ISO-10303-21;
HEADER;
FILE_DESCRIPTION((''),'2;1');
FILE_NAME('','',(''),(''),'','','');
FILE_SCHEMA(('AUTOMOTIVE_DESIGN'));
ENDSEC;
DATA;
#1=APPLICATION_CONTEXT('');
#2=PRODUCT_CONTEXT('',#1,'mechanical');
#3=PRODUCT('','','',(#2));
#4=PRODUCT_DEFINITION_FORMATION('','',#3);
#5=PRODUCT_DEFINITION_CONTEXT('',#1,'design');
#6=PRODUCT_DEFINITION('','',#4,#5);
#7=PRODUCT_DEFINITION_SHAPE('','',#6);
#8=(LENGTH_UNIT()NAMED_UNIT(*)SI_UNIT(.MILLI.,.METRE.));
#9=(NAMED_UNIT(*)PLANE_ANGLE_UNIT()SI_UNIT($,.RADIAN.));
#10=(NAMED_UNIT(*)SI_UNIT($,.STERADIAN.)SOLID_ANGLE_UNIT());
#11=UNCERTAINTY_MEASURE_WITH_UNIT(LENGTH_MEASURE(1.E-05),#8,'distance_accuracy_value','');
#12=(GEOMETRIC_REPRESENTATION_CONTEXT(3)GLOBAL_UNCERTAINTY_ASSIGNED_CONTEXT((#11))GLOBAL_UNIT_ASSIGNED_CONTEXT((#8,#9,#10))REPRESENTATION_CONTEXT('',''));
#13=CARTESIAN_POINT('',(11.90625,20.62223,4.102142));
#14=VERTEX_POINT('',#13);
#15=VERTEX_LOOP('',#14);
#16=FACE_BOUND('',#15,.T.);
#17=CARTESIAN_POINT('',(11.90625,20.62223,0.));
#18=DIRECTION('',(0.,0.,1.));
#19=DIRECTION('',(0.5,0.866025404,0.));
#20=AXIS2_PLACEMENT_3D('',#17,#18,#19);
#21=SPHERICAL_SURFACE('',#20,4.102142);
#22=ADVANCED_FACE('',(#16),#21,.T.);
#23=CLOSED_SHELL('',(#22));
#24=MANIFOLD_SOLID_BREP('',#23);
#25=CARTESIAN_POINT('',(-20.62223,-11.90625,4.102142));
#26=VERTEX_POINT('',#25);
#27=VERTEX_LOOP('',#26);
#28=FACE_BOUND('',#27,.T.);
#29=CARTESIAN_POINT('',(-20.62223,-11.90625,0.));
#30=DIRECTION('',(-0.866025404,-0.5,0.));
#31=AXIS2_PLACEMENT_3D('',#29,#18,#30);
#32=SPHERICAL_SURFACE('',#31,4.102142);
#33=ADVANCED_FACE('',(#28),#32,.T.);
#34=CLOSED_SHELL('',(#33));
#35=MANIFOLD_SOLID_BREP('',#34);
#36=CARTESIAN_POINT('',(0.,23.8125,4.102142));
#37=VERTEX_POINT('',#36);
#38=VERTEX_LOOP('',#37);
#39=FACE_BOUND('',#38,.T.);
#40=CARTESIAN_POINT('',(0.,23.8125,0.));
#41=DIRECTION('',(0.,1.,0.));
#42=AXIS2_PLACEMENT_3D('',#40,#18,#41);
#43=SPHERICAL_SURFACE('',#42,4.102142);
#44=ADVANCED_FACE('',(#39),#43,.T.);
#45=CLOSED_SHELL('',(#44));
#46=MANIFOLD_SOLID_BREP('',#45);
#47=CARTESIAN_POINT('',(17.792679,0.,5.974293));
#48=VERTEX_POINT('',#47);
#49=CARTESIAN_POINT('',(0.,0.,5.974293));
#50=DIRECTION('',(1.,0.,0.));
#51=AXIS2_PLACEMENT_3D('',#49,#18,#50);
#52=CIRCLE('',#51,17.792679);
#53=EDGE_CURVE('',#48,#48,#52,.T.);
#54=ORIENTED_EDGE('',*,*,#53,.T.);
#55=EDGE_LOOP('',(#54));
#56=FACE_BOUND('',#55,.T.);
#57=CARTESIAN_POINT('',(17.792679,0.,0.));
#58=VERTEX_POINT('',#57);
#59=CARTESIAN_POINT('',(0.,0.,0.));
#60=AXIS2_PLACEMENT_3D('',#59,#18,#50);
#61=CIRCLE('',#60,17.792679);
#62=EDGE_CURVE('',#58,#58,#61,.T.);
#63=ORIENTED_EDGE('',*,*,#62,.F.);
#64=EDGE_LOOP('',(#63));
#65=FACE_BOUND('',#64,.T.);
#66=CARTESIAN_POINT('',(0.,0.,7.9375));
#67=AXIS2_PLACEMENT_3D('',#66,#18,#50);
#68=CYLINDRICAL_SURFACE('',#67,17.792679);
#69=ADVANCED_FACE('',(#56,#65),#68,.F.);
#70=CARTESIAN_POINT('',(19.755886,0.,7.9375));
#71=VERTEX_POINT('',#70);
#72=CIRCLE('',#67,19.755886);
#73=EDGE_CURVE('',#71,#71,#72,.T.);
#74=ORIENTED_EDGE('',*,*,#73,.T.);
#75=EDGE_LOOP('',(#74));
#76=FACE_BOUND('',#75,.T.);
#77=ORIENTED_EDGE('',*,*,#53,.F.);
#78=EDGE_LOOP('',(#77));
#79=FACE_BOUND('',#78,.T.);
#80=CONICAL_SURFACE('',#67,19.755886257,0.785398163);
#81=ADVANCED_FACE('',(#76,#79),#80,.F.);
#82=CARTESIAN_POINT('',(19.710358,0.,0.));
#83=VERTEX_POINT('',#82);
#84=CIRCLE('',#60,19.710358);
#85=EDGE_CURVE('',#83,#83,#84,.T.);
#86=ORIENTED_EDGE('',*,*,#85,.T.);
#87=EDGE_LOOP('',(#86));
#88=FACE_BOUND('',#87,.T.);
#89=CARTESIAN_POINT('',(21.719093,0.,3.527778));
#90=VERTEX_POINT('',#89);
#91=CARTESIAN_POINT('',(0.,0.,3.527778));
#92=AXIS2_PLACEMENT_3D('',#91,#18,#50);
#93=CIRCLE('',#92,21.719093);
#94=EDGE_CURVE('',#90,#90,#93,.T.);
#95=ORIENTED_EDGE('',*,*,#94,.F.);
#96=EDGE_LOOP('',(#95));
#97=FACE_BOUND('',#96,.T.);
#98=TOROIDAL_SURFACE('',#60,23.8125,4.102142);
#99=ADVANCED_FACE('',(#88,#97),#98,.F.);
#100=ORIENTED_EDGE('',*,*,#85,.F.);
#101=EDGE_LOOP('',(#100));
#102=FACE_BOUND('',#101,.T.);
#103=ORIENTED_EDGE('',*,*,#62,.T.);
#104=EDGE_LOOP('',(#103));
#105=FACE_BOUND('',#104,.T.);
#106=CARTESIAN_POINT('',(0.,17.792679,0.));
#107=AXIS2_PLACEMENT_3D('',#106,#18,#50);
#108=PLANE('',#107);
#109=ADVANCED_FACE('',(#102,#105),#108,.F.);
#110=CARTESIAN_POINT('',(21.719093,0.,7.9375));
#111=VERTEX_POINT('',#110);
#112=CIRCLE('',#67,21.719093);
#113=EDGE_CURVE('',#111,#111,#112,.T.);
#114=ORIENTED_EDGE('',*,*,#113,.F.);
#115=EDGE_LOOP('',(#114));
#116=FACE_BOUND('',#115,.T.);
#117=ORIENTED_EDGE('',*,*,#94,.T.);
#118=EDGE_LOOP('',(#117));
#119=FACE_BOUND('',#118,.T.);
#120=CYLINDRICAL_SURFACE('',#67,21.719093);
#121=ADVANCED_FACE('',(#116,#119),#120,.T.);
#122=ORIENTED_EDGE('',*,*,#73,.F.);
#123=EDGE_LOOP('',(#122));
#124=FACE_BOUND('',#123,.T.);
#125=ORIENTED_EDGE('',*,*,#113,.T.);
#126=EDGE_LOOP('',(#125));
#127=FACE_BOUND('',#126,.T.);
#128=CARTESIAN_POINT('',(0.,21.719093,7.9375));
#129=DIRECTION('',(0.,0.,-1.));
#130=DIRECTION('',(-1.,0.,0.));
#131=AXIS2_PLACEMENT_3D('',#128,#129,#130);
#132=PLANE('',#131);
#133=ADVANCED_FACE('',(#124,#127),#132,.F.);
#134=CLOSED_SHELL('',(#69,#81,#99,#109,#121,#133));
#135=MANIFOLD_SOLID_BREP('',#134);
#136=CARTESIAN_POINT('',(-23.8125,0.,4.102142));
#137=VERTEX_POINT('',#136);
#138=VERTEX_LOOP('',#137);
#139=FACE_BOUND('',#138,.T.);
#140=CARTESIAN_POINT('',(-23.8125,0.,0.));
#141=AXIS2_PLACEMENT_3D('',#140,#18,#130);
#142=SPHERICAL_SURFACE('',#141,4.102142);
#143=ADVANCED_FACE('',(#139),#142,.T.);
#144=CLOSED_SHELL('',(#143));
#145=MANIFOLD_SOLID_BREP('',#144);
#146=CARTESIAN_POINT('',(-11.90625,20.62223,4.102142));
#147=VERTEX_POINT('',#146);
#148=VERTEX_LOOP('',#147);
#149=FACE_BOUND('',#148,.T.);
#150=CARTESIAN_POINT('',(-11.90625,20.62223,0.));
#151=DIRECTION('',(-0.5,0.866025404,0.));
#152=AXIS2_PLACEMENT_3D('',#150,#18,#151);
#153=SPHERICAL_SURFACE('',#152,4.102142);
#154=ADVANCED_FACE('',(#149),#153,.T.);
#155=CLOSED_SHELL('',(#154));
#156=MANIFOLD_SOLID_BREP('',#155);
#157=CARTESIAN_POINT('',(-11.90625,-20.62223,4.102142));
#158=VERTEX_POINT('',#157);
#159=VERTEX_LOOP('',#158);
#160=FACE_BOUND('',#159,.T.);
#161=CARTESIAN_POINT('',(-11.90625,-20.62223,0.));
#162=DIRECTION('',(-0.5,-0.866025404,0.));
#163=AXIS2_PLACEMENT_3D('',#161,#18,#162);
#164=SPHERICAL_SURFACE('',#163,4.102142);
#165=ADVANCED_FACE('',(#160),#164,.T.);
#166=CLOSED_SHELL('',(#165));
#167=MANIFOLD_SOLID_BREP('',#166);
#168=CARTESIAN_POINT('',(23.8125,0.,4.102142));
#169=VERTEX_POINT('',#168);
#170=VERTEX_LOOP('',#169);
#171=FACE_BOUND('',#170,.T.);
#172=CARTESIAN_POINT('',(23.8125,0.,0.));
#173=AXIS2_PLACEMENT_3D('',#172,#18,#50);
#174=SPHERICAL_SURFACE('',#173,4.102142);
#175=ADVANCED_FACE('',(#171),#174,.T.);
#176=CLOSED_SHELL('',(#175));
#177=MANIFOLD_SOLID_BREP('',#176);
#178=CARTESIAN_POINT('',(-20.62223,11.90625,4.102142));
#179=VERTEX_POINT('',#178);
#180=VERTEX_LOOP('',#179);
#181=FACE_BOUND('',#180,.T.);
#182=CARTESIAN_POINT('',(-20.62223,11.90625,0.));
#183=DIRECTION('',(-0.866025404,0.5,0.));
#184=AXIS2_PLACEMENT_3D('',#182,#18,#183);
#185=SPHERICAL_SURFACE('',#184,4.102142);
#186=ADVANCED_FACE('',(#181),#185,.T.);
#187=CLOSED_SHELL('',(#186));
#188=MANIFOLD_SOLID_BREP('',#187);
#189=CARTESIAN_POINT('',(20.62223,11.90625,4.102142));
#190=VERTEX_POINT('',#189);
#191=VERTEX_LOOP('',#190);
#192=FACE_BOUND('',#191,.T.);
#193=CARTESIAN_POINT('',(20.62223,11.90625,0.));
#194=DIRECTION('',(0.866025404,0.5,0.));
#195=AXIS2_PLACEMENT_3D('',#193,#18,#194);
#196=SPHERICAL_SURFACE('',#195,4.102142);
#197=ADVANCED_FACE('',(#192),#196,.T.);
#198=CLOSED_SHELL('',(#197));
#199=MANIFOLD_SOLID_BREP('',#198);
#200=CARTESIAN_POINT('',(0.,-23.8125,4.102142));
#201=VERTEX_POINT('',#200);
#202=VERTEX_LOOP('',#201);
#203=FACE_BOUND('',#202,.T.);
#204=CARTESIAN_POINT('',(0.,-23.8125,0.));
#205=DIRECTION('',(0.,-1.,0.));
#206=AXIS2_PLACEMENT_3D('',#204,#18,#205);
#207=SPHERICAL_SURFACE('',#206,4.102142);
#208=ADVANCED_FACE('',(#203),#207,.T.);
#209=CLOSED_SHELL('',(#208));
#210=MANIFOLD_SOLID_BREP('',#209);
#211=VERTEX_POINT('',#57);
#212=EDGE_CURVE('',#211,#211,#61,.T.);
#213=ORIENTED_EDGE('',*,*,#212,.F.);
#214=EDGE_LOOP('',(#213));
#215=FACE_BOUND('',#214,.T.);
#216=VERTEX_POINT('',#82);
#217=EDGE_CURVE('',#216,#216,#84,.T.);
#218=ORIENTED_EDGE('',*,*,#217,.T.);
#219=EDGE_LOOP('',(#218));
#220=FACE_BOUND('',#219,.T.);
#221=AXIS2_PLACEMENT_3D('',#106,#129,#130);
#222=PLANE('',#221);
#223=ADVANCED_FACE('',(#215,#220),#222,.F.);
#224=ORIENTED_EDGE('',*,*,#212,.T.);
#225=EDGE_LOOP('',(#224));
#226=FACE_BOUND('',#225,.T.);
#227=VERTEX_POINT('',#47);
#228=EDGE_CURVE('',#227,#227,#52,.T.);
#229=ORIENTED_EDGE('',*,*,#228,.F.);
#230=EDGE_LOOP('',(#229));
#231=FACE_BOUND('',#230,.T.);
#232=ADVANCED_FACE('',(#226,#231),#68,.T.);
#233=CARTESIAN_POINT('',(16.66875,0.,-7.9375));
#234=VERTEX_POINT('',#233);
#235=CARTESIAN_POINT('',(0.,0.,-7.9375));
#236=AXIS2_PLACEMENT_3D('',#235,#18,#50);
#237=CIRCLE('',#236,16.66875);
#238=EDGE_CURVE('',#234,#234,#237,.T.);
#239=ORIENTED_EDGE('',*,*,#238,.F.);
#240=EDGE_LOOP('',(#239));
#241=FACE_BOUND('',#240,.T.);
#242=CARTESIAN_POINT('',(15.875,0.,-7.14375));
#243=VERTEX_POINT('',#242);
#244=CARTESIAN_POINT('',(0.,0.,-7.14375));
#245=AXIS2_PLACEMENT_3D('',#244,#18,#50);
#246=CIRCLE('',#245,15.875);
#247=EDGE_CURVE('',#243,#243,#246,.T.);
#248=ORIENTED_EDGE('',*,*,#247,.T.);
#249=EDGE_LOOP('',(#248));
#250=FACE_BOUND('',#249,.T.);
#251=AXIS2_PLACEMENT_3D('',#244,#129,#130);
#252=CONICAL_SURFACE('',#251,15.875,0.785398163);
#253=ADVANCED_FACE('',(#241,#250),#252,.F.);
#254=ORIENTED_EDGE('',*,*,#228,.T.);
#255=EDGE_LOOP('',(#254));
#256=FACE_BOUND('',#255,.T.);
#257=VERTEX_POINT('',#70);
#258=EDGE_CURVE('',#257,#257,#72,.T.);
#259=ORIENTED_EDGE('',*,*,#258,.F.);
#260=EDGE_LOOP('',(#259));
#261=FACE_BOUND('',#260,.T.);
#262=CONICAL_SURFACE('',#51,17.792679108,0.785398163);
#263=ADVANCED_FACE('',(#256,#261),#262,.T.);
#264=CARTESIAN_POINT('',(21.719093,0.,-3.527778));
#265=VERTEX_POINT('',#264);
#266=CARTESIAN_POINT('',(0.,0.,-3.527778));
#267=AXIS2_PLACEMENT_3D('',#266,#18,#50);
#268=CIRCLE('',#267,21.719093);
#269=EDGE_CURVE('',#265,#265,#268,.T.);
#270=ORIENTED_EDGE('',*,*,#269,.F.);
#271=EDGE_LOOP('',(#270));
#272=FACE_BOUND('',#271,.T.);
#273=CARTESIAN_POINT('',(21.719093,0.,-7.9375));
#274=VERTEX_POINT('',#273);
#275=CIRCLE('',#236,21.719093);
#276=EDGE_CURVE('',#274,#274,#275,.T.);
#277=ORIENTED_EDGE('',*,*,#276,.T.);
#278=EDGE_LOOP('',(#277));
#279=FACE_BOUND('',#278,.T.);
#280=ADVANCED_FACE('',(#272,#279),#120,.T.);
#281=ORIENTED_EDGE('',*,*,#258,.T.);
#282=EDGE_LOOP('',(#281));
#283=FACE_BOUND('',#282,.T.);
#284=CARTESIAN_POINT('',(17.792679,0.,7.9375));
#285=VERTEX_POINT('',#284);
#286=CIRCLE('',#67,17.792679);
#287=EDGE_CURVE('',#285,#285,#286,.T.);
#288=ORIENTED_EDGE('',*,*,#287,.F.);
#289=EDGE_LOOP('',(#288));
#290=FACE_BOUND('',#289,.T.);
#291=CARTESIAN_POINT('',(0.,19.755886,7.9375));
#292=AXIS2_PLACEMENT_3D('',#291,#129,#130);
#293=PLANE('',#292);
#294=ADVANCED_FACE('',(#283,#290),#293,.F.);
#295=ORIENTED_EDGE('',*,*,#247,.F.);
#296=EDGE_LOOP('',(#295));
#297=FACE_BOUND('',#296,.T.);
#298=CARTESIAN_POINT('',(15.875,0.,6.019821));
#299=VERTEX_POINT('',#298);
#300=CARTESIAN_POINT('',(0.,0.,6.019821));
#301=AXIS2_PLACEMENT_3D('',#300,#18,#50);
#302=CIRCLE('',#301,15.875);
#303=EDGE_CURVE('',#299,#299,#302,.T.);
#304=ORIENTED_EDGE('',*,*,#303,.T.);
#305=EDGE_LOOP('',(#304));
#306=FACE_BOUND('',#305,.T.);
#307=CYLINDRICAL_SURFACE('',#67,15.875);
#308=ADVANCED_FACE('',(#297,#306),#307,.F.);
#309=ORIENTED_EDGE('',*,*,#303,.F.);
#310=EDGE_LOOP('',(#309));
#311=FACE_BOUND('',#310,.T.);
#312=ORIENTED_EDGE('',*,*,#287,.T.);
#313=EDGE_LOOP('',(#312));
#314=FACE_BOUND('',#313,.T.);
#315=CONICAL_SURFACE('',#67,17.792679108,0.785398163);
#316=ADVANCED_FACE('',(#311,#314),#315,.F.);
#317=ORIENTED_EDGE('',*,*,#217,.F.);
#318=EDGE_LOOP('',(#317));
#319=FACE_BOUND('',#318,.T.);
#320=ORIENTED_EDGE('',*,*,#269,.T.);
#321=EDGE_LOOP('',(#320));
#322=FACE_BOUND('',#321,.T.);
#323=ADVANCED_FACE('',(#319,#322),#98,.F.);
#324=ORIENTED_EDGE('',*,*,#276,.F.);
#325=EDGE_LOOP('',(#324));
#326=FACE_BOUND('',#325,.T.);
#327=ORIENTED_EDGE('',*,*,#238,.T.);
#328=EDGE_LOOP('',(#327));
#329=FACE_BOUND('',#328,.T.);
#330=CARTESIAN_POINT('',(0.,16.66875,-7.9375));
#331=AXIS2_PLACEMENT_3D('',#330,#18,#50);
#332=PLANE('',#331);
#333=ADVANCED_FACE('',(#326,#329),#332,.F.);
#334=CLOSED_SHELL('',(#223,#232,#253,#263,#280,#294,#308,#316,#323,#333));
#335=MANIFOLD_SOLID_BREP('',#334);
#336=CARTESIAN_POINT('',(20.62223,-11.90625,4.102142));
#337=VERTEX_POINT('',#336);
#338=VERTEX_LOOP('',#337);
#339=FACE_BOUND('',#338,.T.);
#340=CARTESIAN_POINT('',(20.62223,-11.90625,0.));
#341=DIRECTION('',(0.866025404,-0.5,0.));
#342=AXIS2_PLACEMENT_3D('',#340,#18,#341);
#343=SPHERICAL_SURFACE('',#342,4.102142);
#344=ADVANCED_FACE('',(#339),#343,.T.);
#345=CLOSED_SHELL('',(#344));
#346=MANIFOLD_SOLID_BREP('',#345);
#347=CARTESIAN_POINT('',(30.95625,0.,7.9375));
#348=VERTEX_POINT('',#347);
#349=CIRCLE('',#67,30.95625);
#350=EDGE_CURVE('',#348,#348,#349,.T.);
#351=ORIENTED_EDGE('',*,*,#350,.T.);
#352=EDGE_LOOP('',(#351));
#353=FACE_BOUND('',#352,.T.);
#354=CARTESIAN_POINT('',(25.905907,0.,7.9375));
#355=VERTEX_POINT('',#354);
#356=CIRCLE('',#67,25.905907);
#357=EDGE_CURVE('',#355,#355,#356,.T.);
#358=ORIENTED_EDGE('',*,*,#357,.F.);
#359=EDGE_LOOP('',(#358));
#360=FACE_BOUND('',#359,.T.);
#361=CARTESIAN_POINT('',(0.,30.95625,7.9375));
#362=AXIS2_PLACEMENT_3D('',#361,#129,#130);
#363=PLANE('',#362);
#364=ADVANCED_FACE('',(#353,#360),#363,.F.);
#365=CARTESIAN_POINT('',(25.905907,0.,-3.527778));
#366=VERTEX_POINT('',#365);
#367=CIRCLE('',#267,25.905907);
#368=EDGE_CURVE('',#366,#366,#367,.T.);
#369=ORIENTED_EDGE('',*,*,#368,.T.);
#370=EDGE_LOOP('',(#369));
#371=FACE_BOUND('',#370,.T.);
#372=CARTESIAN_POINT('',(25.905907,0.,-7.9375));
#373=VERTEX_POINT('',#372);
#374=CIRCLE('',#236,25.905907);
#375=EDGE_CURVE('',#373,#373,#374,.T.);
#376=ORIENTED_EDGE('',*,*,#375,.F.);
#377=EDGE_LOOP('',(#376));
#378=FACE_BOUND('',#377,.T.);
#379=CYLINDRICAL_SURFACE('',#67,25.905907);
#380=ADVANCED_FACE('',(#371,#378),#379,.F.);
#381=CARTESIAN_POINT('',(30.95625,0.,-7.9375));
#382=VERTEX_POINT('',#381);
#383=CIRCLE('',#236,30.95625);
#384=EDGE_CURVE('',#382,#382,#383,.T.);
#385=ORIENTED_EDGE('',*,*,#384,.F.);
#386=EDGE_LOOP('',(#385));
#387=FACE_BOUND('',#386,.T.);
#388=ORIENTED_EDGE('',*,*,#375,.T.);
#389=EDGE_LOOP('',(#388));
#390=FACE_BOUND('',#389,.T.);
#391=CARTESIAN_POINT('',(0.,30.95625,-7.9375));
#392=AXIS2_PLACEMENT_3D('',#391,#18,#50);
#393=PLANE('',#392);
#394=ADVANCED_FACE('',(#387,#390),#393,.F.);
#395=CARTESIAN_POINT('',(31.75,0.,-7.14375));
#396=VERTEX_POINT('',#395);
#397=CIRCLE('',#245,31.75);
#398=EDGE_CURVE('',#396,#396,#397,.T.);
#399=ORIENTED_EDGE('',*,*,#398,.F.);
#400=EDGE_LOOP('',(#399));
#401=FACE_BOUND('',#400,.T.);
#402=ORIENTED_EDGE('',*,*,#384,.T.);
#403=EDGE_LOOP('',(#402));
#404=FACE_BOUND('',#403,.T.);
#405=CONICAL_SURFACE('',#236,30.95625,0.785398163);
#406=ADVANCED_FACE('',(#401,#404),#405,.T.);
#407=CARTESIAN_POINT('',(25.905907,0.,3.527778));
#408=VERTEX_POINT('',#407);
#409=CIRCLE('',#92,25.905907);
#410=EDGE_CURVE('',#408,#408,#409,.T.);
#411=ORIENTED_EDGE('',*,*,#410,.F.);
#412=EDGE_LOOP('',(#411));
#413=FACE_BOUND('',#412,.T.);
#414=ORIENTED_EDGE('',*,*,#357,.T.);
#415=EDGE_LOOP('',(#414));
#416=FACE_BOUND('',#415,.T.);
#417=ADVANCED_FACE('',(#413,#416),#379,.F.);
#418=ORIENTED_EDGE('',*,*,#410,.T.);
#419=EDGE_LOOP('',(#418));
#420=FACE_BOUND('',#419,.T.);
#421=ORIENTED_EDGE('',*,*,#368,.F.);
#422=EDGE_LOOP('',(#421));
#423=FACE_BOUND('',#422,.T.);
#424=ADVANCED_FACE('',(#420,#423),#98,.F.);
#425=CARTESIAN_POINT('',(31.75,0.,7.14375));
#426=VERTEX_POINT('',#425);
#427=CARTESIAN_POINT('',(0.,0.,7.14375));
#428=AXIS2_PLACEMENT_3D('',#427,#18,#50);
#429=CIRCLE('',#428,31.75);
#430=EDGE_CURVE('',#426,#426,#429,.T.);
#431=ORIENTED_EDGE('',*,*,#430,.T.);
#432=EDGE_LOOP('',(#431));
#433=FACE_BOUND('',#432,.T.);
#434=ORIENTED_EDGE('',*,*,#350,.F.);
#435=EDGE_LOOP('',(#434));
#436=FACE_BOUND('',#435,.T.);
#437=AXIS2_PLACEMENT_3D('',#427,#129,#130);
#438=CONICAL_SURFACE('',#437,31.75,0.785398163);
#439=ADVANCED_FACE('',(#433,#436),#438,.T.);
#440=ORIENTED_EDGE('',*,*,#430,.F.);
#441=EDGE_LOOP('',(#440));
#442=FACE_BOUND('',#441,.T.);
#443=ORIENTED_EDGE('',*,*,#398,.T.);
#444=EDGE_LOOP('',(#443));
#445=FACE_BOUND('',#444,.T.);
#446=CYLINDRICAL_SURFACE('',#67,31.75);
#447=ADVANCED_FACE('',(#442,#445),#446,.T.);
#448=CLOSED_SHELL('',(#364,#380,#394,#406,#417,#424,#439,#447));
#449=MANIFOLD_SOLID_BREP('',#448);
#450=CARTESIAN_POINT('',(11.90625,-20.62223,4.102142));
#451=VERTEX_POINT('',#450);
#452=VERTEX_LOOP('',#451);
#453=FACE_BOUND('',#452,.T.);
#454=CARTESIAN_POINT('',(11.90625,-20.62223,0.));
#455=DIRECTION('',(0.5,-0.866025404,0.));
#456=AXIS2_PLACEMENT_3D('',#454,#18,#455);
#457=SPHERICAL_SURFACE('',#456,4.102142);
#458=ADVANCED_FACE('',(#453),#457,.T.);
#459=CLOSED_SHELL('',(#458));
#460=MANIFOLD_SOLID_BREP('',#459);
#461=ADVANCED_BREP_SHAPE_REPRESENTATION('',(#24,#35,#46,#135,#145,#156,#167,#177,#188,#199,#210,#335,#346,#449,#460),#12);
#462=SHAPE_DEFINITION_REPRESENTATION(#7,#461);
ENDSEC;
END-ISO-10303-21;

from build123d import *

# Parameters (mm, degrees)
CIRPATTERN1_COUNT = 12


with BuildPart() as part:
    # Sketch1 → Revolve1 (revolve)
    with BuildSketch(Plane(origin=(0, 0, 0), x_dir=(0, 0, -1), z_dir=(1, 0, 0))):
        with BuildLine():
            Line((7.14375, 31.75), (-7.14375, 31.75))
            Line((-7.14375, 31.75), (-7.9375, 30.95625))
            Line((-7.9375, 30.95625), (-7.9375, 25.905906593))
            Line((-7.9375, 25.905906593), (-3.527777778, 25.905906593))
            ThreePointArc((-3.527777778, 25.905906593), (0, 27.914641784), (3.527777778, 25.905906593))
            Line((3.527777778, 25.905906593), (7.9375, 25.905906593))
            Line((7.9375, 25.905906593), (7.9375, 30.95625))
            Line((7.9375, 30.95625), (7.14375, 31.75))
        make_face()
    revolve(axis=Axis((0, 0, 7.9375), (0, 0, -1)))


with BuildPart() as body_2:
    # Sketch2 → Revolve2 (revolve)
    with BuildSketch(Plane(origin=(0, 0, 0), x_dir=(0, 0, -1), z_dir=(1, 0, 0))):
        with BuildLine():
            Line((-7.9375, 21.719093407), (-3.527777778, 21.719093407))
            ThreePointArc((-3.527777778, 21.719093407), (-2.029792669, 20.24774069), (0, 19.710358216))
            Line((0, 19.710358216), (0, 17.792679108))
            Line((0, 17.792679108), (-5.974292851, 17.792679108))
            Line((-5.974292851, 17.792679108), (-7.9375, 19.755886257))
            Line((-7.9375, 19.755886257), (-7.9375, 21.719093407))
        make_face()
    revolve(axis=Axis((0, 0, 7.9375), (0, 0, -1)))


with BuildPart() as body_3:
    # Sketch3 → Revolve3 (revolve)
    with BuildSketch(Plane(origin=(0, 0, 0), x_dir=(0, 0, -1), z_dir=(1, 0, 0))):
        with BuildLine():
            Line((-7.9375, 19.755886257), (-5.974292851, 17.792679108))
            Line((-5.974292851, 17.792679108), (0, 17.792679108))
            Line((0, 17.792679108), (0, 19.710358216))
            ThreePointArc((0, 19.710358216), (2.029792669, 20.24774069), (3.527777778, 21.719093407))
            Line((3.527777778, 21.719093407), (7.9375, 21.719093407))
            Line((7.9375, 21.719093407), (7.9375, 16.66875))
            Line((7.9375, 16.66875), (7.14375, 15.875))
            Line((7.14375, 15.875), (-6.019820892, 15.875))
            Line((-6.019820892, 15.875), (-7.9375, 17.792679108))
            Line((-7.9375, 17.792679108), (-7.9375, 19.755886257))
        make_face()
    revolve(axis=Axis((0, 0, 7.9375), (0, 0, -1)))


with BuildPart() as body_4:
    # Sketch4 → Revolve4 (revolve)
    with BuildSketch(Plane(origin=(0, 0, 0), x_dir=(0, 0, -1), z_dir=(1, 0, 0))):
        with BuildLine():
            Line((-4.102141784, 23.8125), (4.102141784, 23.8125))
            ThreePointArc((4.102141784, 23.8125), (0, 27.914641784), (-4.102141784, 23.8125))
        make_face()
    revolve(axis=Axis((0, 23.8125, 4.102141784), (0, 0, -1)))


with BuildPart() as cirpattern1_1:
    # CirPattern1: pattern copy
    add(body_4.part.rotate(Axis((0, 0, -7.9375), (0, 0, 1)), 1 * 360 / CIRPATTERN1_COUNT))


with BuildPart() as cirpattern1_2:
    # CirPattern1: pattern copy
    add(body_4.part.rotate(Axis((0, 0, -7.9375), (0, 0, 1)), 2 * 360 / CIRPATTERN1_COUNT))


with BuildPart() as cirpattern1_3:
    # CirPattern1: pattern copy
    add(body_4.part.rotate(Axis((0, 0, -7.9375), (0, 0, 1)), 3 * 360 / CIRPATTERN1_COUNT))


with BuildPart() as cirpattern1_4:
    # CirPattern1: pattern copy
    add(body_4.part.rotate(Axis((0, 0, -7.9375), (0, 0, 1)), 4 * 360 / CIRPATTERN1_COUNT))


with BuildPart() as cirpattern1_5:
    # CirPattern1: pattern copy
    add(body_4.part.rotate(Axis((0, 0, -7.9375), (0, 0, 1)), 5 * 360 / CIRPATTERN1_COUNT))


with BuildPart() as cirpattern1_6:
    # CirPattern1: pattern copy
    add(body_4.part.rotate(Axis((0, 0, -7.9375), (0, 0, 1)), 6 * 360 / CIRPATTERN1_COUNT))


with BuildPart() as cirpattern1_7:
    # CirPattern1: pattern copy
    add(body_4.part.rotate(Axis((0, 0, -7.9375), (0, 0, 1)), 7 * 360 / CIRPATTERN1_COUNT))


with BuildPart() as cirpattern1_8:
    # CirPattern1: pattern copy
    add(body_4.part.rotate(Axis((0, 0, -7.9375), (0, 0, 1)), 8 * 360 / CIRPATTERN1_COUNT))


with BuildPart() as cirpattern1_9:
    # CirPattern1: pattern copy
    add(body_4.part.rotate(Axis((0, 0, -7.9375), (0, 0, 1)), 9 * 360 / CIRPATTERN1_COUNT))


with BuildPart() as cirpattern1_10:
    # CirPattern1: pattern copy
    add(body_4.part.rotate(Axis((0, 0, -7.9375), (0, 0, 1)), 10 * 360 / CIRPATTERN1_COUNT))


with BuildPart() as cirpattern1_11:
    # CirPattern1: pattern copy
    add(body_4.part.rotate(Axis((0, 0, -7.9375), (0, 0, 1)), 11 * 360 / CIRPATTERN1_COUNT))


solid = Compound([part.part, body_2.part, body_3.part, body_4.part, cirpattern1_1.part, cirpattern1_2.part, cirpattern1_3.part, cirpattern1_4.part, cirpattern1_5.part, cirpattern1_6.part, cirpattern1_7.part, cirpattern1_8.part, cirpattern1_9.part, cirpattern1_10.part, cirpattern1_11.part])
